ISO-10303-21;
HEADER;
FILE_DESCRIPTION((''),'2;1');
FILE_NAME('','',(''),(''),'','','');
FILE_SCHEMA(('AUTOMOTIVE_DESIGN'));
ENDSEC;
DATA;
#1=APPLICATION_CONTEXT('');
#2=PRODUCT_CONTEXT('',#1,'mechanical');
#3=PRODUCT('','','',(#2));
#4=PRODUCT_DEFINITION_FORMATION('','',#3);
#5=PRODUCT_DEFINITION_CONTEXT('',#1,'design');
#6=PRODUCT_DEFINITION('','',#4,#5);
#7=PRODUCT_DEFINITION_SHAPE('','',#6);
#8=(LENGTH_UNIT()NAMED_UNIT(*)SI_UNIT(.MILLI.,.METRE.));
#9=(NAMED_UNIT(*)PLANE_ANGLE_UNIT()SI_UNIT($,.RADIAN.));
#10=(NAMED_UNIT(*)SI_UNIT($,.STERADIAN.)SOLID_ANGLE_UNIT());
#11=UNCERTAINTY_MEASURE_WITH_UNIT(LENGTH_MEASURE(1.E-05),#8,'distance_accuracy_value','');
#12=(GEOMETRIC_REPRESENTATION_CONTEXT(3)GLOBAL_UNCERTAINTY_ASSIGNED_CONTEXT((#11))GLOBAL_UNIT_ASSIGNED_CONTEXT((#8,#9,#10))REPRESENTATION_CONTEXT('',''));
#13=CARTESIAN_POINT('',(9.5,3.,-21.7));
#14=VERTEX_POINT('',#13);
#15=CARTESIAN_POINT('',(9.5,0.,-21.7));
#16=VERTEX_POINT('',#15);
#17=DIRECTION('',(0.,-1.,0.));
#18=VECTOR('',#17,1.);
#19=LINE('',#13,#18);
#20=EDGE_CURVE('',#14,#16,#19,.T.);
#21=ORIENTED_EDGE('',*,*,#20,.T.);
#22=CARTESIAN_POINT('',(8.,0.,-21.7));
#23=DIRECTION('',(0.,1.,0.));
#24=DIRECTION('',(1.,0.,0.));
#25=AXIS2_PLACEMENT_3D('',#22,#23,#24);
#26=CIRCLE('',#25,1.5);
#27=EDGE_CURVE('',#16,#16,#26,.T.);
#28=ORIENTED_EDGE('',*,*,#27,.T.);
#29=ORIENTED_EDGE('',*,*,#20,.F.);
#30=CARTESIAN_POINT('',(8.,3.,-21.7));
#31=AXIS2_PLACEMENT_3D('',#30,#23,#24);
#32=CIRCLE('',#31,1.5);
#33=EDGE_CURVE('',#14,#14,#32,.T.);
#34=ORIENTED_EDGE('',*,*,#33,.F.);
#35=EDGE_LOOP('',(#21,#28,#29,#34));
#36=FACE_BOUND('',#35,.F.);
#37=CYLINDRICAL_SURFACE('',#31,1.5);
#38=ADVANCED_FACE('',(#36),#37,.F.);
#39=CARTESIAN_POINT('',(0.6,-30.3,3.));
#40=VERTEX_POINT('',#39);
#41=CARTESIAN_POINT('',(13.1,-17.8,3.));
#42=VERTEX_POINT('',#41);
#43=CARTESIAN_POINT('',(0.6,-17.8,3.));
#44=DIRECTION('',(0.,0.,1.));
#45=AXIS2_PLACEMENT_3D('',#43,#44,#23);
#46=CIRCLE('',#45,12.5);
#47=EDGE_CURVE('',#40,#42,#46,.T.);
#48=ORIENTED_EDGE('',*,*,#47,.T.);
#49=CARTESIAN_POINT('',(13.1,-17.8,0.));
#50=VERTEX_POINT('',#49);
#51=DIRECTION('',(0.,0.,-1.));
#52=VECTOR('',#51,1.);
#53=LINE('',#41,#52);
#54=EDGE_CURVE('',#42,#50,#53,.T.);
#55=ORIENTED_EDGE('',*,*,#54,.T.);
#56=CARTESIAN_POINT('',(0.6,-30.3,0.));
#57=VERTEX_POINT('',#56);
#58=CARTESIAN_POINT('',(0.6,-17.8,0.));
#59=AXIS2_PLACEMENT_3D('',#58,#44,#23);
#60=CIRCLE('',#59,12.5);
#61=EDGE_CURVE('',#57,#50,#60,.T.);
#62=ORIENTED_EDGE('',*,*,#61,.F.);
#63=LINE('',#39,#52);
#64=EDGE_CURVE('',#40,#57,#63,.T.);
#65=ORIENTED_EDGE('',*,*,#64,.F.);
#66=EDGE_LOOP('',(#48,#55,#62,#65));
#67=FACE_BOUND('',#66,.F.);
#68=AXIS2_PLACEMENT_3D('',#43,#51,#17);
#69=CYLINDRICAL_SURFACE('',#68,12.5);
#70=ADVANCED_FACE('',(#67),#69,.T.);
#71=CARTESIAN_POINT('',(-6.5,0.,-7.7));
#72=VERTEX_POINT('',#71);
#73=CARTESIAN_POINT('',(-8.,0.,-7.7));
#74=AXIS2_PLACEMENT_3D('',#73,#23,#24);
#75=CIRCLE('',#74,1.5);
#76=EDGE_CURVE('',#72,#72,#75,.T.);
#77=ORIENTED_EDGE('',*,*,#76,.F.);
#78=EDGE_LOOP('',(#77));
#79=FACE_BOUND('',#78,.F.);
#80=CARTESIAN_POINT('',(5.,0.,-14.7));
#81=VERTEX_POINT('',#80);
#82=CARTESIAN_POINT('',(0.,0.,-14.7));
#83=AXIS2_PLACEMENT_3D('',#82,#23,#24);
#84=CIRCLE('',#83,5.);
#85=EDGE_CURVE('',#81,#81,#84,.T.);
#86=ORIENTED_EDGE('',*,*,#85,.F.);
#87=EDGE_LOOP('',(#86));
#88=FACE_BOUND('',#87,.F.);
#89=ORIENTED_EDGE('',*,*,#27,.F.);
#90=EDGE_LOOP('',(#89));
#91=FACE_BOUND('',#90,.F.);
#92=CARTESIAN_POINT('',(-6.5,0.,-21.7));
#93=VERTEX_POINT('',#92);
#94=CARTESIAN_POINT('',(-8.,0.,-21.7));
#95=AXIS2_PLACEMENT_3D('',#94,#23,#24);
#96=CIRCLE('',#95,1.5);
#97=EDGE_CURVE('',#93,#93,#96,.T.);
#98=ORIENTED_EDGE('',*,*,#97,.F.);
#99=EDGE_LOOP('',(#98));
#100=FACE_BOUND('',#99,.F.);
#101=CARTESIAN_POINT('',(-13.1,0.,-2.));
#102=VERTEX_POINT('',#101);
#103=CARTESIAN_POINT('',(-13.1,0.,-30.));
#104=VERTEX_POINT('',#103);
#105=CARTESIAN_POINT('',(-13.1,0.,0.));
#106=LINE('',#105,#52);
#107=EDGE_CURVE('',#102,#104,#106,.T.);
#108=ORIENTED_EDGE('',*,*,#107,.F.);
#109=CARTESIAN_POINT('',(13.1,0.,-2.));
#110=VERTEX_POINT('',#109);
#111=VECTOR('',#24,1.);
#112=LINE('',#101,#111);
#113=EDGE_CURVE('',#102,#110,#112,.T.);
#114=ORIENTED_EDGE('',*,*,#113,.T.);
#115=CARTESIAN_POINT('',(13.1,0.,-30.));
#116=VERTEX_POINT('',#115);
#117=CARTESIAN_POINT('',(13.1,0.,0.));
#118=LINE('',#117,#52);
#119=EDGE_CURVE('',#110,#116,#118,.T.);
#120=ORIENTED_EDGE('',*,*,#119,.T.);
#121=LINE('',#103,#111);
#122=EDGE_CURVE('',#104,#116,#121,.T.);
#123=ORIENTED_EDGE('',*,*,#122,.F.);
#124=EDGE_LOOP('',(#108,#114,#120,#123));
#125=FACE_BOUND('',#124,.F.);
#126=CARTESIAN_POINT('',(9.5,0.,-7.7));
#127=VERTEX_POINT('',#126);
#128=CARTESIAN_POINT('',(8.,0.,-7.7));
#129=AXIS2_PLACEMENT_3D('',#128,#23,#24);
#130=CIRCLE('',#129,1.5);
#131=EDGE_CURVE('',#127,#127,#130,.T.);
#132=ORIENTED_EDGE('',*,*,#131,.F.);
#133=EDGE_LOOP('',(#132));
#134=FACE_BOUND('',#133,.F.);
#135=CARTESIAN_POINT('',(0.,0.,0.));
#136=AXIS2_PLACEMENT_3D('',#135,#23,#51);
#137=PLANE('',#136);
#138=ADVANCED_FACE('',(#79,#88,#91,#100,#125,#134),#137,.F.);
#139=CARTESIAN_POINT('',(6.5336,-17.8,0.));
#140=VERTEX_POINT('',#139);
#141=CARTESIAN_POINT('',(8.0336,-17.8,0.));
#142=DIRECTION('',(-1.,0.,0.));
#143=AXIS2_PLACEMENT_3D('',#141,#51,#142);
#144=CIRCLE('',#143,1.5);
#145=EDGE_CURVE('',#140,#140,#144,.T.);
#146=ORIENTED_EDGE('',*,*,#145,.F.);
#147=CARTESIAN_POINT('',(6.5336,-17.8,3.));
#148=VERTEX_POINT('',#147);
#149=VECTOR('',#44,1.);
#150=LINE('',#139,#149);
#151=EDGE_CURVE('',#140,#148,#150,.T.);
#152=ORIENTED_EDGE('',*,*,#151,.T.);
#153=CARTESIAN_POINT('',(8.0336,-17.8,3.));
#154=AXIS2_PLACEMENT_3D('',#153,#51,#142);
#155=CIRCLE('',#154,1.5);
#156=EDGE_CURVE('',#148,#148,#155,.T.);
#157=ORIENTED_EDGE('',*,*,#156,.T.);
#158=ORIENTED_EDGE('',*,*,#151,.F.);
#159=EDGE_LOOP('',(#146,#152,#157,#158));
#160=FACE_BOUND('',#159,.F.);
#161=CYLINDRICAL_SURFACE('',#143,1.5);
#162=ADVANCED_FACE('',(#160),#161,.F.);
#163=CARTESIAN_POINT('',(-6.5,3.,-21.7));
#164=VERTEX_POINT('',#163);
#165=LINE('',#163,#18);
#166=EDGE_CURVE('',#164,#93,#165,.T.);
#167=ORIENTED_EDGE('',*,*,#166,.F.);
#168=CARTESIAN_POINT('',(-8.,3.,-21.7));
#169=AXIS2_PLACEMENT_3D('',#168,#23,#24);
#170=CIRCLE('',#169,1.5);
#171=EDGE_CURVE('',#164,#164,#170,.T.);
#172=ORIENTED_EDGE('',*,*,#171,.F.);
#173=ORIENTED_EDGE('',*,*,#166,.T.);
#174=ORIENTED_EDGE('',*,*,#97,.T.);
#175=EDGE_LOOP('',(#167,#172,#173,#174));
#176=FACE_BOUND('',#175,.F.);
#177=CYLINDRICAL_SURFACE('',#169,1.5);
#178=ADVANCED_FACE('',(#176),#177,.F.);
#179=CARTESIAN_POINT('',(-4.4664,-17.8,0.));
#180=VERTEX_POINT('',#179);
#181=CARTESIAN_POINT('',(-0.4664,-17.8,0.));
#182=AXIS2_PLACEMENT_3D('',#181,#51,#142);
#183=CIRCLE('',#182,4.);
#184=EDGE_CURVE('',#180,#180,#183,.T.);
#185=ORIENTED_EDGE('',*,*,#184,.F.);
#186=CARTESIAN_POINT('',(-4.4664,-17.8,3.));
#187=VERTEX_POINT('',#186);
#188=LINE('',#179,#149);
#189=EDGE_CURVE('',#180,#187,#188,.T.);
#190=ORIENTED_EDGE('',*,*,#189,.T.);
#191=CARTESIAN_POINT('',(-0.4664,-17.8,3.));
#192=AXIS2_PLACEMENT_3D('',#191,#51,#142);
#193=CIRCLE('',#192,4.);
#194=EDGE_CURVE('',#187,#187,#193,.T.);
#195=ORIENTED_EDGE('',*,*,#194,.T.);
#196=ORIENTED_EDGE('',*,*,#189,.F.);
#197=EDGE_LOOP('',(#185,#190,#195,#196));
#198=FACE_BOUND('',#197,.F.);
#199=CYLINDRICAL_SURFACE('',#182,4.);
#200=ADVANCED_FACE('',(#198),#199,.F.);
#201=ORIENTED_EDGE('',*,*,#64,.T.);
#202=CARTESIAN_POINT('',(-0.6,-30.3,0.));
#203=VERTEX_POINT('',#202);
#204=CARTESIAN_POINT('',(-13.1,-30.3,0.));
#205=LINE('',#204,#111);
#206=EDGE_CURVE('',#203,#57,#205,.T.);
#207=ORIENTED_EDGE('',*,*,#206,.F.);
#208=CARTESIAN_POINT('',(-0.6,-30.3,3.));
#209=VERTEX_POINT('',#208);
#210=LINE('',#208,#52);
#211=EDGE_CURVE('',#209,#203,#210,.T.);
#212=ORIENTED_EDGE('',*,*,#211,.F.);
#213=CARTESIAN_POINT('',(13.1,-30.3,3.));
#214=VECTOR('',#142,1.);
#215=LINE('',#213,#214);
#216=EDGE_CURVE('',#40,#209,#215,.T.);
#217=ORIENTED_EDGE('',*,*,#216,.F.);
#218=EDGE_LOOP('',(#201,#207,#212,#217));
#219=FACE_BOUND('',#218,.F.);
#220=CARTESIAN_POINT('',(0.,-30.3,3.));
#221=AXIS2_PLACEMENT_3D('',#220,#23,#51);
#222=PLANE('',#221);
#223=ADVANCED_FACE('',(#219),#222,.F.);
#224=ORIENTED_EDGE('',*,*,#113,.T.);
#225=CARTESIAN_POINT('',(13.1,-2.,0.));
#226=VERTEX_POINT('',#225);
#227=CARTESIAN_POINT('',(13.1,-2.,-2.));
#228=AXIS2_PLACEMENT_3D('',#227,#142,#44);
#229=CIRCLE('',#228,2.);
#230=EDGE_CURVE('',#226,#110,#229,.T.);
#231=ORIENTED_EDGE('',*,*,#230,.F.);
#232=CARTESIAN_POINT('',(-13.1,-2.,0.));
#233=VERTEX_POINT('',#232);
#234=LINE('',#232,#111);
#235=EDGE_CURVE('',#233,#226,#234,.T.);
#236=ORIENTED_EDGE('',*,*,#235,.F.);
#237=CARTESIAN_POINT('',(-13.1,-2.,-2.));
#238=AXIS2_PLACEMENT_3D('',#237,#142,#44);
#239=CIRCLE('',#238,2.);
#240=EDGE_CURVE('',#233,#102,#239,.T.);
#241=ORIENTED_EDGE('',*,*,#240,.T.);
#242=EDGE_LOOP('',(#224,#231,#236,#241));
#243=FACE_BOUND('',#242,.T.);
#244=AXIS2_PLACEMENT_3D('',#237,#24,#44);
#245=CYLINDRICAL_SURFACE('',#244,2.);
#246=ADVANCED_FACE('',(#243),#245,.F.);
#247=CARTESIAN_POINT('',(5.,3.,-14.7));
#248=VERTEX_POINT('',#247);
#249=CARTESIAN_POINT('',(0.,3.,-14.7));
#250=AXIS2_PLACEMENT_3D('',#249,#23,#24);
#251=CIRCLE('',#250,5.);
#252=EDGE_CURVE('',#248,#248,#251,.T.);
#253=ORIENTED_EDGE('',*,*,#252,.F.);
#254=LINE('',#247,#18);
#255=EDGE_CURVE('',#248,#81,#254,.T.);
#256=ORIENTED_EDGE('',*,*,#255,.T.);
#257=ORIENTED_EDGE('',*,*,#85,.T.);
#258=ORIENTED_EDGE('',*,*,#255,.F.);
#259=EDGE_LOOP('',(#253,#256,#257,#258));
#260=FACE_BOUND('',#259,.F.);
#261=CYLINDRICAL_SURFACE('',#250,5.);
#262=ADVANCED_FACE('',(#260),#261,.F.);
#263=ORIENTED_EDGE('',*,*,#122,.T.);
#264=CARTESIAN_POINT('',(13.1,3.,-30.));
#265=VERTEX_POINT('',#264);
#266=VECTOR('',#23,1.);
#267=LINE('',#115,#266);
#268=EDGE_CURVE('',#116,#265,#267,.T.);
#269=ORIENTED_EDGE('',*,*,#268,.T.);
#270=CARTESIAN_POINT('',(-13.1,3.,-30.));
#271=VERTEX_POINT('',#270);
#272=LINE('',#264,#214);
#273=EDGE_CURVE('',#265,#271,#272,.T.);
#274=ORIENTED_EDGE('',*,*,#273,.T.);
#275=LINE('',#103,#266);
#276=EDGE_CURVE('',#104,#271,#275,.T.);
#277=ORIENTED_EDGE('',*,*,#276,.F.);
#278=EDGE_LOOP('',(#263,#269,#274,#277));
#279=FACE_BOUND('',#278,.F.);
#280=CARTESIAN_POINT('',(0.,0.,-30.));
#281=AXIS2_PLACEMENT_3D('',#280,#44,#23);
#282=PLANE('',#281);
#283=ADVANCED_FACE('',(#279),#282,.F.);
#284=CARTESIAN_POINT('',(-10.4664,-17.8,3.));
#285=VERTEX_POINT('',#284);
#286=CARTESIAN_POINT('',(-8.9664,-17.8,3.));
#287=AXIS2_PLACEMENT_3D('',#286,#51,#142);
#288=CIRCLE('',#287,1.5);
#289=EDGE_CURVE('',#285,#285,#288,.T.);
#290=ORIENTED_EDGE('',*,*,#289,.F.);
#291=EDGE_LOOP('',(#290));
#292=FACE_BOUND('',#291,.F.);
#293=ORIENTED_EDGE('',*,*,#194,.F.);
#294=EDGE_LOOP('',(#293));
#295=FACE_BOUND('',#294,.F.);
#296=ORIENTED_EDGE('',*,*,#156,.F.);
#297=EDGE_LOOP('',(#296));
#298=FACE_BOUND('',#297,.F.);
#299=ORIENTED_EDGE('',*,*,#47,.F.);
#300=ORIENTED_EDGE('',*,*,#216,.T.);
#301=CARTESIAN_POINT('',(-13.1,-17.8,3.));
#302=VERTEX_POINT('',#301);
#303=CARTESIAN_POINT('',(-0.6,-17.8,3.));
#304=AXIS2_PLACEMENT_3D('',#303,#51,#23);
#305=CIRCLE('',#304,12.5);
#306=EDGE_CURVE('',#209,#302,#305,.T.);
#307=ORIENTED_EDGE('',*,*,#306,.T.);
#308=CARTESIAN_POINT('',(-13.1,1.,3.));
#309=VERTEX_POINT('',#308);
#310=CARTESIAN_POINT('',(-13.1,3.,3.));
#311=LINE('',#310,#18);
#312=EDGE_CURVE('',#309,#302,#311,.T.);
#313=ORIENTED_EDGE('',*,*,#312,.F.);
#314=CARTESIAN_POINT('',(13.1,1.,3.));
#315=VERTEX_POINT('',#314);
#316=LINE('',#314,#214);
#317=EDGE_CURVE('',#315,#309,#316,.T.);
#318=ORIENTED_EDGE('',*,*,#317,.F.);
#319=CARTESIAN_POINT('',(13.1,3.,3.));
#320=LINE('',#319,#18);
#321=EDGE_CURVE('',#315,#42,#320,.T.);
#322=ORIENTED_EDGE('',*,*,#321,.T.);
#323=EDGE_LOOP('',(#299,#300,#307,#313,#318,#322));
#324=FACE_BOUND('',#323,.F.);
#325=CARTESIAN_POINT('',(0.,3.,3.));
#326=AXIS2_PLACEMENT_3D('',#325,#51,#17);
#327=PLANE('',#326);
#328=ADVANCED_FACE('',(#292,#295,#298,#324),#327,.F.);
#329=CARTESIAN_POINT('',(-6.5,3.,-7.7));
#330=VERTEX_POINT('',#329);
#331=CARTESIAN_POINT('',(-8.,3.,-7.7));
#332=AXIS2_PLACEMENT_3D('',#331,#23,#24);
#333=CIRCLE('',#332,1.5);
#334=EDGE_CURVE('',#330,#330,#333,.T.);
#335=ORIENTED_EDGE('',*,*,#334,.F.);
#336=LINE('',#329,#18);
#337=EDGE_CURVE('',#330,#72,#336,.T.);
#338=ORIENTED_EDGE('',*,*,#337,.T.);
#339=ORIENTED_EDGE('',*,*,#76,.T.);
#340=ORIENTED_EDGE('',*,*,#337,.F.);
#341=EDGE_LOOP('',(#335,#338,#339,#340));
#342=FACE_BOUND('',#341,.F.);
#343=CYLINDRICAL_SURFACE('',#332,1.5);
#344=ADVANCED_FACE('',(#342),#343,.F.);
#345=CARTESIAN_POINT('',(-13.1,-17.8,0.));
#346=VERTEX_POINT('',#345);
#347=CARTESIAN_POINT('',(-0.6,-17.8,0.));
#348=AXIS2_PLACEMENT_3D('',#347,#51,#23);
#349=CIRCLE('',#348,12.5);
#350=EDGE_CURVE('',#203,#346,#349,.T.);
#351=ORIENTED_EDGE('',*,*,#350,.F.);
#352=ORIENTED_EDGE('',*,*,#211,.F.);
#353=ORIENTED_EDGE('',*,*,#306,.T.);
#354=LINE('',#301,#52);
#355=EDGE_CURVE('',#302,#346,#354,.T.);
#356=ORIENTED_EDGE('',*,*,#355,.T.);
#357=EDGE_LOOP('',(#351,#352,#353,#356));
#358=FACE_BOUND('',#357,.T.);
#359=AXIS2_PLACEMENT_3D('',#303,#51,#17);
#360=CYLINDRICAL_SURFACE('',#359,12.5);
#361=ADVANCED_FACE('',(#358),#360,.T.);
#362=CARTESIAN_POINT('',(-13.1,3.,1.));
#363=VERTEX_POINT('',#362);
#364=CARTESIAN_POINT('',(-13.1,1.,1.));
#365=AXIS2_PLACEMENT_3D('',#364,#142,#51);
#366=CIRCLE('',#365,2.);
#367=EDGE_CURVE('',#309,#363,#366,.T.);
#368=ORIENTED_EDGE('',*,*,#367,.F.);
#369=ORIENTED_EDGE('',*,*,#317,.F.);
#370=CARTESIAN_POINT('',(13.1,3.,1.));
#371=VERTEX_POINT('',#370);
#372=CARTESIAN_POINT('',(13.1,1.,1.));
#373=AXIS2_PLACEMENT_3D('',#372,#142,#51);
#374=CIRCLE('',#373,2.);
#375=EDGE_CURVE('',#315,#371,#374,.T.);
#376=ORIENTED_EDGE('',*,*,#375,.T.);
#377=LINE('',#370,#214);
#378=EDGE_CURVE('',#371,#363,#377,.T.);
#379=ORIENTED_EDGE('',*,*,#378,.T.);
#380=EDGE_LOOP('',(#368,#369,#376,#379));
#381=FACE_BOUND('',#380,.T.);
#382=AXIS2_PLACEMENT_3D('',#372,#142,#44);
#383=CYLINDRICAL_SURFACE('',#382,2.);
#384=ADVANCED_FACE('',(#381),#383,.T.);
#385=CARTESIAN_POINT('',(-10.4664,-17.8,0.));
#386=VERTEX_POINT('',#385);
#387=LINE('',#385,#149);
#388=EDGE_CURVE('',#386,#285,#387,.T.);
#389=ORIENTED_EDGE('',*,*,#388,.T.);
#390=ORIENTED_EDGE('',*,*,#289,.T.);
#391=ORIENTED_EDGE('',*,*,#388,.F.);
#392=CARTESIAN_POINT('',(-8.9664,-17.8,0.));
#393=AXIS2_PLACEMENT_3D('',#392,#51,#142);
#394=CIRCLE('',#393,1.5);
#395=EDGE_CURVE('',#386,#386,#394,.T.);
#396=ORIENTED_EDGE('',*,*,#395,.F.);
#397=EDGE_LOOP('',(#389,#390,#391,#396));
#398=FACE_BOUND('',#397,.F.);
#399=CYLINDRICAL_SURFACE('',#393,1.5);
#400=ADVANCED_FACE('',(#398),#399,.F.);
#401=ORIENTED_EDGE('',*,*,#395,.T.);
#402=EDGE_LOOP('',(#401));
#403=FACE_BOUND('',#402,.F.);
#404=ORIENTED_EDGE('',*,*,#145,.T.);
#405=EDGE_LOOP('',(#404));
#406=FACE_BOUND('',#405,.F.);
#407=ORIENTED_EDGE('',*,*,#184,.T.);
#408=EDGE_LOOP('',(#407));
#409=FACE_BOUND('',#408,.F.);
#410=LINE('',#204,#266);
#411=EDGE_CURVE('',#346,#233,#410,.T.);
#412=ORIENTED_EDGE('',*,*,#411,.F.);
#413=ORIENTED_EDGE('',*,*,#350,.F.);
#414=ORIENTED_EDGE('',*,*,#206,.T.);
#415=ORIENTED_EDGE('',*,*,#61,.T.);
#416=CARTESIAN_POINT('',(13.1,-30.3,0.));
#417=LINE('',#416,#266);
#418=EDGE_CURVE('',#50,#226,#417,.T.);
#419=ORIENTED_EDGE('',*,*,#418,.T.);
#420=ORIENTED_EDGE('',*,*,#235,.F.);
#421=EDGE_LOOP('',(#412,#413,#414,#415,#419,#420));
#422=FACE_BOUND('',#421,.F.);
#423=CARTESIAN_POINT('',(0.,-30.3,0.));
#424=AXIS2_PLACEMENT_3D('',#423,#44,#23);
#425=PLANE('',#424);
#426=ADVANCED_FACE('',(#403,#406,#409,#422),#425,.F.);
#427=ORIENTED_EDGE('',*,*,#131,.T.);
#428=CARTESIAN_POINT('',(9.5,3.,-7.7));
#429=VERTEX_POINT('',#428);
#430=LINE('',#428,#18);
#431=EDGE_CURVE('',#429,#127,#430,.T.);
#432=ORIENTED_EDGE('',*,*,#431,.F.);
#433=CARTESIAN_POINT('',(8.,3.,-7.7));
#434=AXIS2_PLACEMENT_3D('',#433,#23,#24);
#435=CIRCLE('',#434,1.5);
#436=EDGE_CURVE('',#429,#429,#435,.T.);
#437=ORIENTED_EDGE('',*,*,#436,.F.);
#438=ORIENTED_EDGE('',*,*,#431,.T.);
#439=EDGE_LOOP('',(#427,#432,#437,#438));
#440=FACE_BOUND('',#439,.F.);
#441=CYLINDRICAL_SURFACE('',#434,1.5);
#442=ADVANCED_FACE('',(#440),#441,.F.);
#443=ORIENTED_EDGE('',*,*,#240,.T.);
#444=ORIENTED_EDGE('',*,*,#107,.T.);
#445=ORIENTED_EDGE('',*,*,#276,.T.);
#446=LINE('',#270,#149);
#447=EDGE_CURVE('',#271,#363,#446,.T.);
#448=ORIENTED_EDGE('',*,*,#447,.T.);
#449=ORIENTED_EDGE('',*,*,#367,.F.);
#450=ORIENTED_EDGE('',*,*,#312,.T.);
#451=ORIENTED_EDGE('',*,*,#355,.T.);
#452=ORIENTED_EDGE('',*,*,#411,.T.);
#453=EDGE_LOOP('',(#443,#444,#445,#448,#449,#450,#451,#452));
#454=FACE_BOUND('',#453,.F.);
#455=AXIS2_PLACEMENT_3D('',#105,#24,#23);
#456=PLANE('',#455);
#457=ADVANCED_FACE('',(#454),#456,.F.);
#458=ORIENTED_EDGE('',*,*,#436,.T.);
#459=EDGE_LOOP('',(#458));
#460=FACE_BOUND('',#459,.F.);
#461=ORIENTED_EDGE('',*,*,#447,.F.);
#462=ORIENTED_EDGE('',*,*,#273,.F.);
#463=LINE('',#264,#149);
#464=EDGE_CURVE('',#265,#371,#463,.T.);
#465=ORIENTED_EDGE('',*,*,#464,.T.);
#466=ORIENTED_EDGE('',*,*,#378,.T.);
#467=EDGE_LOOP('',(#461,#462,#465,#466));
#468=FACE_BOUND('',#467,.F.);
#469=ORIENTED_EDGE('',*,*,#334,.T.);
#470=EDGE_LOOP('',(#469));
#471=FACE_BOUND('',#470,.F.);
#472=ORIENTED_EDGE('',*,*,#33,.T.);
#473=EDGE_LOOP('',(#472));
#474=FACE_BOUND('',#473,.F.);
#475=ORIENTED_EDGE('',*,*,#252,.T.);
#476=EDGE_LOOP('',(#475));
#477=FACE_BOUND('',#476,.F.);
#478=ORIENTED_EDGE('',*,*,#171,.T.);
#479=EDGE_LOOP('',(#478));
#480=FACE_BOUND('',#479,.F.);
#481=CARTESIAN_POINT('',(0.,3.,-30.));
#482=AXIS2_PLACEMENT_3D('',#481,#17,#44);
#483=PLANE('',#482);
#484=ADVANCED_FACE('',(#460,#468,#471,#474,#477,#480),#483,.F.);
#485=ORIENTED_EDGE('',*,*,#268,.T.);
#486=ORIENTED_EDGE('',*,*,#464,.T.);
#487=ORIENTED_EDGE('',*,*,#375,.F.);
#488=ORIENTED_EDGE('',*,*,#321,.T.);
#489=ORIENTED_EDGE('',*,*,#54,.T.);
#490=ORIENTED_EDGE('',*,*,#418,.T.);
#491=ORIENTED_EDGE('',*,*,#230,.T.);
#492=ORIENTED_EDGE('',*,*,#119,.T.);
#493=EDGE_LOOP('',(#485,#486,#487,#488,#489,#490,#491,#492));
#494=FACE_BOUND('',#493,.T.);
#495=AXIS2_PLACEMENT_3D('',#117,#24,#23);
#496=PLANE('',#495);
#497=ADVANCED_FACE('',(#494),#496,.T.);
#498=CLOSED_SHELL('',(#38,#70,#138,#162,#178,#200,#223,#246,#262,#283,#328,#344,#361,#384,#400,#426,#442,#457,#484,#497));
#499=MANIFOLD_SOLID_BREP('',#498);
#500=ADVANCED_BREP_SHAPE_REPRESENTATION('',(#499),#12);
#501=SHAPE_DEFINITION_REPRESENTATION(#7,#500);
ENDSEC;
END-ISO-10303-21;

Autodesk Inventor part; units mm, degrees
ref_plane "YZ Plane" through (0, 0, 0) normal (1, 0, 0) x (0, 1, 0)
ref_plane "XZ Plane" through (0, 0, 0) normal (0, 1, 0) x (-1, 0, 0)
sketch "Sketch1" plane through (0, 0, 0) normal (1, 0, 0) x (0, 1, 0)
  line L0 (-30.3, 0) -> (0, 0)
  line L1 (0, 0) -> (0, -30)
  line L2 (0, -30) -> (3, -30)
  line L3 (3, -30) -> (3, 3)
  line L4 (3, 3) -> (-30.3, 3)
  line L5 (-30.3, 3) -> (-30.3, 0)
  dimension "d0" = 3
  dimension "d1" = 3
  dimension "d35" = 33.3
  dimension "d36" = 33
extrude "Extrusion1" add sketch "Sketch1" along normal mid plane 26.2
fillet "Fillet2" radius 12.5 2 edges at (-13.1, -30.3, 1.5) (13.1, -30.3, 1.5)
ref_plane "Work Plane1" through (13.1, -2, 0) normal (0, 0, -1) x (-1, 0, 0)
sketch "Sketch2" plane through (13.1, -2, 0) normal (0, 0, -1) x (-1, 0, 0)
  circle A0 centre (22.0664, -15.8) radius 1.5
  circle A1 centre (5.0664, -15.8) radius 1.5
  line L0 (22.0664, -15.8) -> (5.0664, -15.8) construction
  line L1 (5.0664, -15.8) -> (0.9327, -15.8) construction
  circle A2 centre (13.5664, -15.8) radius 4
  line L2 (26.2, 2) -> (26.2, -15.8) projected
  line L3 (26.2, -15.8) -> (22.0664, -15.8) construction
  point P0 (13.1, 2)
  dimension "d8" = 3
  dimension "d9" = 3
  dimension "d10" = 17
  dimension "d11" = 8
extrude "Extrusion2" cut sketch "Sketch2" against normal through all
sketch "Sketch6" plane through (-13.1, 3, 3) normal (0, 1, 0) x (1, 0, 0)
  line L0 (26.2, 0) -> (0, 0) projected
  line L1 (26.2, 33) -> (0, 33) projected
  line L2 (13.1, 33) -> (13.1, 0) construction
  circle A0 centre (13.1, 17.7) radius 5
  line L3 (5.1, 24.7) -> (21.1, 24.7) construction
  line L4 (21.1, 24.7) -> (21.1, 10.7) construction
  line L5 (21.1, 10.7) -> (5.1, 10.7) construction
  line L6 (5.1, 10.7) -> (5.1, 24.7) construction
  line L7 (5.1, 24.7) -> (21.1, 10.7) construction
  line L8 (21.1, 24.7) -> (5.1, 10.7) construction
  circle A1 centre (21.1, 10.7) radius 1.5
  circle A2 centre (5.1, 10.7) radius 1.5
  circle A3 centre (5.1, 24.7) radius 1.5
  circle A4 centre (21.1, 24.7) radius 1.5
  point P0 (13.1, 3)
  dimension "d39" = 10
  dimension "d40" = 17.7
  dimension "d41" = 16
  dimension "d42" = 14
  dimension "d43" = 3
  dimension "d44" = 3
  dimension "d45" = 3
  dimension "d46" = 3
extrude "Extrusion4" cut sketch "Sketch6" against normal up to next
fillet "Fillet3" radius 2 2 edges at (0, 3, 3) (0, 0, 0)
equation "\"d1\" = d0"
properties part number "soporte motor"
